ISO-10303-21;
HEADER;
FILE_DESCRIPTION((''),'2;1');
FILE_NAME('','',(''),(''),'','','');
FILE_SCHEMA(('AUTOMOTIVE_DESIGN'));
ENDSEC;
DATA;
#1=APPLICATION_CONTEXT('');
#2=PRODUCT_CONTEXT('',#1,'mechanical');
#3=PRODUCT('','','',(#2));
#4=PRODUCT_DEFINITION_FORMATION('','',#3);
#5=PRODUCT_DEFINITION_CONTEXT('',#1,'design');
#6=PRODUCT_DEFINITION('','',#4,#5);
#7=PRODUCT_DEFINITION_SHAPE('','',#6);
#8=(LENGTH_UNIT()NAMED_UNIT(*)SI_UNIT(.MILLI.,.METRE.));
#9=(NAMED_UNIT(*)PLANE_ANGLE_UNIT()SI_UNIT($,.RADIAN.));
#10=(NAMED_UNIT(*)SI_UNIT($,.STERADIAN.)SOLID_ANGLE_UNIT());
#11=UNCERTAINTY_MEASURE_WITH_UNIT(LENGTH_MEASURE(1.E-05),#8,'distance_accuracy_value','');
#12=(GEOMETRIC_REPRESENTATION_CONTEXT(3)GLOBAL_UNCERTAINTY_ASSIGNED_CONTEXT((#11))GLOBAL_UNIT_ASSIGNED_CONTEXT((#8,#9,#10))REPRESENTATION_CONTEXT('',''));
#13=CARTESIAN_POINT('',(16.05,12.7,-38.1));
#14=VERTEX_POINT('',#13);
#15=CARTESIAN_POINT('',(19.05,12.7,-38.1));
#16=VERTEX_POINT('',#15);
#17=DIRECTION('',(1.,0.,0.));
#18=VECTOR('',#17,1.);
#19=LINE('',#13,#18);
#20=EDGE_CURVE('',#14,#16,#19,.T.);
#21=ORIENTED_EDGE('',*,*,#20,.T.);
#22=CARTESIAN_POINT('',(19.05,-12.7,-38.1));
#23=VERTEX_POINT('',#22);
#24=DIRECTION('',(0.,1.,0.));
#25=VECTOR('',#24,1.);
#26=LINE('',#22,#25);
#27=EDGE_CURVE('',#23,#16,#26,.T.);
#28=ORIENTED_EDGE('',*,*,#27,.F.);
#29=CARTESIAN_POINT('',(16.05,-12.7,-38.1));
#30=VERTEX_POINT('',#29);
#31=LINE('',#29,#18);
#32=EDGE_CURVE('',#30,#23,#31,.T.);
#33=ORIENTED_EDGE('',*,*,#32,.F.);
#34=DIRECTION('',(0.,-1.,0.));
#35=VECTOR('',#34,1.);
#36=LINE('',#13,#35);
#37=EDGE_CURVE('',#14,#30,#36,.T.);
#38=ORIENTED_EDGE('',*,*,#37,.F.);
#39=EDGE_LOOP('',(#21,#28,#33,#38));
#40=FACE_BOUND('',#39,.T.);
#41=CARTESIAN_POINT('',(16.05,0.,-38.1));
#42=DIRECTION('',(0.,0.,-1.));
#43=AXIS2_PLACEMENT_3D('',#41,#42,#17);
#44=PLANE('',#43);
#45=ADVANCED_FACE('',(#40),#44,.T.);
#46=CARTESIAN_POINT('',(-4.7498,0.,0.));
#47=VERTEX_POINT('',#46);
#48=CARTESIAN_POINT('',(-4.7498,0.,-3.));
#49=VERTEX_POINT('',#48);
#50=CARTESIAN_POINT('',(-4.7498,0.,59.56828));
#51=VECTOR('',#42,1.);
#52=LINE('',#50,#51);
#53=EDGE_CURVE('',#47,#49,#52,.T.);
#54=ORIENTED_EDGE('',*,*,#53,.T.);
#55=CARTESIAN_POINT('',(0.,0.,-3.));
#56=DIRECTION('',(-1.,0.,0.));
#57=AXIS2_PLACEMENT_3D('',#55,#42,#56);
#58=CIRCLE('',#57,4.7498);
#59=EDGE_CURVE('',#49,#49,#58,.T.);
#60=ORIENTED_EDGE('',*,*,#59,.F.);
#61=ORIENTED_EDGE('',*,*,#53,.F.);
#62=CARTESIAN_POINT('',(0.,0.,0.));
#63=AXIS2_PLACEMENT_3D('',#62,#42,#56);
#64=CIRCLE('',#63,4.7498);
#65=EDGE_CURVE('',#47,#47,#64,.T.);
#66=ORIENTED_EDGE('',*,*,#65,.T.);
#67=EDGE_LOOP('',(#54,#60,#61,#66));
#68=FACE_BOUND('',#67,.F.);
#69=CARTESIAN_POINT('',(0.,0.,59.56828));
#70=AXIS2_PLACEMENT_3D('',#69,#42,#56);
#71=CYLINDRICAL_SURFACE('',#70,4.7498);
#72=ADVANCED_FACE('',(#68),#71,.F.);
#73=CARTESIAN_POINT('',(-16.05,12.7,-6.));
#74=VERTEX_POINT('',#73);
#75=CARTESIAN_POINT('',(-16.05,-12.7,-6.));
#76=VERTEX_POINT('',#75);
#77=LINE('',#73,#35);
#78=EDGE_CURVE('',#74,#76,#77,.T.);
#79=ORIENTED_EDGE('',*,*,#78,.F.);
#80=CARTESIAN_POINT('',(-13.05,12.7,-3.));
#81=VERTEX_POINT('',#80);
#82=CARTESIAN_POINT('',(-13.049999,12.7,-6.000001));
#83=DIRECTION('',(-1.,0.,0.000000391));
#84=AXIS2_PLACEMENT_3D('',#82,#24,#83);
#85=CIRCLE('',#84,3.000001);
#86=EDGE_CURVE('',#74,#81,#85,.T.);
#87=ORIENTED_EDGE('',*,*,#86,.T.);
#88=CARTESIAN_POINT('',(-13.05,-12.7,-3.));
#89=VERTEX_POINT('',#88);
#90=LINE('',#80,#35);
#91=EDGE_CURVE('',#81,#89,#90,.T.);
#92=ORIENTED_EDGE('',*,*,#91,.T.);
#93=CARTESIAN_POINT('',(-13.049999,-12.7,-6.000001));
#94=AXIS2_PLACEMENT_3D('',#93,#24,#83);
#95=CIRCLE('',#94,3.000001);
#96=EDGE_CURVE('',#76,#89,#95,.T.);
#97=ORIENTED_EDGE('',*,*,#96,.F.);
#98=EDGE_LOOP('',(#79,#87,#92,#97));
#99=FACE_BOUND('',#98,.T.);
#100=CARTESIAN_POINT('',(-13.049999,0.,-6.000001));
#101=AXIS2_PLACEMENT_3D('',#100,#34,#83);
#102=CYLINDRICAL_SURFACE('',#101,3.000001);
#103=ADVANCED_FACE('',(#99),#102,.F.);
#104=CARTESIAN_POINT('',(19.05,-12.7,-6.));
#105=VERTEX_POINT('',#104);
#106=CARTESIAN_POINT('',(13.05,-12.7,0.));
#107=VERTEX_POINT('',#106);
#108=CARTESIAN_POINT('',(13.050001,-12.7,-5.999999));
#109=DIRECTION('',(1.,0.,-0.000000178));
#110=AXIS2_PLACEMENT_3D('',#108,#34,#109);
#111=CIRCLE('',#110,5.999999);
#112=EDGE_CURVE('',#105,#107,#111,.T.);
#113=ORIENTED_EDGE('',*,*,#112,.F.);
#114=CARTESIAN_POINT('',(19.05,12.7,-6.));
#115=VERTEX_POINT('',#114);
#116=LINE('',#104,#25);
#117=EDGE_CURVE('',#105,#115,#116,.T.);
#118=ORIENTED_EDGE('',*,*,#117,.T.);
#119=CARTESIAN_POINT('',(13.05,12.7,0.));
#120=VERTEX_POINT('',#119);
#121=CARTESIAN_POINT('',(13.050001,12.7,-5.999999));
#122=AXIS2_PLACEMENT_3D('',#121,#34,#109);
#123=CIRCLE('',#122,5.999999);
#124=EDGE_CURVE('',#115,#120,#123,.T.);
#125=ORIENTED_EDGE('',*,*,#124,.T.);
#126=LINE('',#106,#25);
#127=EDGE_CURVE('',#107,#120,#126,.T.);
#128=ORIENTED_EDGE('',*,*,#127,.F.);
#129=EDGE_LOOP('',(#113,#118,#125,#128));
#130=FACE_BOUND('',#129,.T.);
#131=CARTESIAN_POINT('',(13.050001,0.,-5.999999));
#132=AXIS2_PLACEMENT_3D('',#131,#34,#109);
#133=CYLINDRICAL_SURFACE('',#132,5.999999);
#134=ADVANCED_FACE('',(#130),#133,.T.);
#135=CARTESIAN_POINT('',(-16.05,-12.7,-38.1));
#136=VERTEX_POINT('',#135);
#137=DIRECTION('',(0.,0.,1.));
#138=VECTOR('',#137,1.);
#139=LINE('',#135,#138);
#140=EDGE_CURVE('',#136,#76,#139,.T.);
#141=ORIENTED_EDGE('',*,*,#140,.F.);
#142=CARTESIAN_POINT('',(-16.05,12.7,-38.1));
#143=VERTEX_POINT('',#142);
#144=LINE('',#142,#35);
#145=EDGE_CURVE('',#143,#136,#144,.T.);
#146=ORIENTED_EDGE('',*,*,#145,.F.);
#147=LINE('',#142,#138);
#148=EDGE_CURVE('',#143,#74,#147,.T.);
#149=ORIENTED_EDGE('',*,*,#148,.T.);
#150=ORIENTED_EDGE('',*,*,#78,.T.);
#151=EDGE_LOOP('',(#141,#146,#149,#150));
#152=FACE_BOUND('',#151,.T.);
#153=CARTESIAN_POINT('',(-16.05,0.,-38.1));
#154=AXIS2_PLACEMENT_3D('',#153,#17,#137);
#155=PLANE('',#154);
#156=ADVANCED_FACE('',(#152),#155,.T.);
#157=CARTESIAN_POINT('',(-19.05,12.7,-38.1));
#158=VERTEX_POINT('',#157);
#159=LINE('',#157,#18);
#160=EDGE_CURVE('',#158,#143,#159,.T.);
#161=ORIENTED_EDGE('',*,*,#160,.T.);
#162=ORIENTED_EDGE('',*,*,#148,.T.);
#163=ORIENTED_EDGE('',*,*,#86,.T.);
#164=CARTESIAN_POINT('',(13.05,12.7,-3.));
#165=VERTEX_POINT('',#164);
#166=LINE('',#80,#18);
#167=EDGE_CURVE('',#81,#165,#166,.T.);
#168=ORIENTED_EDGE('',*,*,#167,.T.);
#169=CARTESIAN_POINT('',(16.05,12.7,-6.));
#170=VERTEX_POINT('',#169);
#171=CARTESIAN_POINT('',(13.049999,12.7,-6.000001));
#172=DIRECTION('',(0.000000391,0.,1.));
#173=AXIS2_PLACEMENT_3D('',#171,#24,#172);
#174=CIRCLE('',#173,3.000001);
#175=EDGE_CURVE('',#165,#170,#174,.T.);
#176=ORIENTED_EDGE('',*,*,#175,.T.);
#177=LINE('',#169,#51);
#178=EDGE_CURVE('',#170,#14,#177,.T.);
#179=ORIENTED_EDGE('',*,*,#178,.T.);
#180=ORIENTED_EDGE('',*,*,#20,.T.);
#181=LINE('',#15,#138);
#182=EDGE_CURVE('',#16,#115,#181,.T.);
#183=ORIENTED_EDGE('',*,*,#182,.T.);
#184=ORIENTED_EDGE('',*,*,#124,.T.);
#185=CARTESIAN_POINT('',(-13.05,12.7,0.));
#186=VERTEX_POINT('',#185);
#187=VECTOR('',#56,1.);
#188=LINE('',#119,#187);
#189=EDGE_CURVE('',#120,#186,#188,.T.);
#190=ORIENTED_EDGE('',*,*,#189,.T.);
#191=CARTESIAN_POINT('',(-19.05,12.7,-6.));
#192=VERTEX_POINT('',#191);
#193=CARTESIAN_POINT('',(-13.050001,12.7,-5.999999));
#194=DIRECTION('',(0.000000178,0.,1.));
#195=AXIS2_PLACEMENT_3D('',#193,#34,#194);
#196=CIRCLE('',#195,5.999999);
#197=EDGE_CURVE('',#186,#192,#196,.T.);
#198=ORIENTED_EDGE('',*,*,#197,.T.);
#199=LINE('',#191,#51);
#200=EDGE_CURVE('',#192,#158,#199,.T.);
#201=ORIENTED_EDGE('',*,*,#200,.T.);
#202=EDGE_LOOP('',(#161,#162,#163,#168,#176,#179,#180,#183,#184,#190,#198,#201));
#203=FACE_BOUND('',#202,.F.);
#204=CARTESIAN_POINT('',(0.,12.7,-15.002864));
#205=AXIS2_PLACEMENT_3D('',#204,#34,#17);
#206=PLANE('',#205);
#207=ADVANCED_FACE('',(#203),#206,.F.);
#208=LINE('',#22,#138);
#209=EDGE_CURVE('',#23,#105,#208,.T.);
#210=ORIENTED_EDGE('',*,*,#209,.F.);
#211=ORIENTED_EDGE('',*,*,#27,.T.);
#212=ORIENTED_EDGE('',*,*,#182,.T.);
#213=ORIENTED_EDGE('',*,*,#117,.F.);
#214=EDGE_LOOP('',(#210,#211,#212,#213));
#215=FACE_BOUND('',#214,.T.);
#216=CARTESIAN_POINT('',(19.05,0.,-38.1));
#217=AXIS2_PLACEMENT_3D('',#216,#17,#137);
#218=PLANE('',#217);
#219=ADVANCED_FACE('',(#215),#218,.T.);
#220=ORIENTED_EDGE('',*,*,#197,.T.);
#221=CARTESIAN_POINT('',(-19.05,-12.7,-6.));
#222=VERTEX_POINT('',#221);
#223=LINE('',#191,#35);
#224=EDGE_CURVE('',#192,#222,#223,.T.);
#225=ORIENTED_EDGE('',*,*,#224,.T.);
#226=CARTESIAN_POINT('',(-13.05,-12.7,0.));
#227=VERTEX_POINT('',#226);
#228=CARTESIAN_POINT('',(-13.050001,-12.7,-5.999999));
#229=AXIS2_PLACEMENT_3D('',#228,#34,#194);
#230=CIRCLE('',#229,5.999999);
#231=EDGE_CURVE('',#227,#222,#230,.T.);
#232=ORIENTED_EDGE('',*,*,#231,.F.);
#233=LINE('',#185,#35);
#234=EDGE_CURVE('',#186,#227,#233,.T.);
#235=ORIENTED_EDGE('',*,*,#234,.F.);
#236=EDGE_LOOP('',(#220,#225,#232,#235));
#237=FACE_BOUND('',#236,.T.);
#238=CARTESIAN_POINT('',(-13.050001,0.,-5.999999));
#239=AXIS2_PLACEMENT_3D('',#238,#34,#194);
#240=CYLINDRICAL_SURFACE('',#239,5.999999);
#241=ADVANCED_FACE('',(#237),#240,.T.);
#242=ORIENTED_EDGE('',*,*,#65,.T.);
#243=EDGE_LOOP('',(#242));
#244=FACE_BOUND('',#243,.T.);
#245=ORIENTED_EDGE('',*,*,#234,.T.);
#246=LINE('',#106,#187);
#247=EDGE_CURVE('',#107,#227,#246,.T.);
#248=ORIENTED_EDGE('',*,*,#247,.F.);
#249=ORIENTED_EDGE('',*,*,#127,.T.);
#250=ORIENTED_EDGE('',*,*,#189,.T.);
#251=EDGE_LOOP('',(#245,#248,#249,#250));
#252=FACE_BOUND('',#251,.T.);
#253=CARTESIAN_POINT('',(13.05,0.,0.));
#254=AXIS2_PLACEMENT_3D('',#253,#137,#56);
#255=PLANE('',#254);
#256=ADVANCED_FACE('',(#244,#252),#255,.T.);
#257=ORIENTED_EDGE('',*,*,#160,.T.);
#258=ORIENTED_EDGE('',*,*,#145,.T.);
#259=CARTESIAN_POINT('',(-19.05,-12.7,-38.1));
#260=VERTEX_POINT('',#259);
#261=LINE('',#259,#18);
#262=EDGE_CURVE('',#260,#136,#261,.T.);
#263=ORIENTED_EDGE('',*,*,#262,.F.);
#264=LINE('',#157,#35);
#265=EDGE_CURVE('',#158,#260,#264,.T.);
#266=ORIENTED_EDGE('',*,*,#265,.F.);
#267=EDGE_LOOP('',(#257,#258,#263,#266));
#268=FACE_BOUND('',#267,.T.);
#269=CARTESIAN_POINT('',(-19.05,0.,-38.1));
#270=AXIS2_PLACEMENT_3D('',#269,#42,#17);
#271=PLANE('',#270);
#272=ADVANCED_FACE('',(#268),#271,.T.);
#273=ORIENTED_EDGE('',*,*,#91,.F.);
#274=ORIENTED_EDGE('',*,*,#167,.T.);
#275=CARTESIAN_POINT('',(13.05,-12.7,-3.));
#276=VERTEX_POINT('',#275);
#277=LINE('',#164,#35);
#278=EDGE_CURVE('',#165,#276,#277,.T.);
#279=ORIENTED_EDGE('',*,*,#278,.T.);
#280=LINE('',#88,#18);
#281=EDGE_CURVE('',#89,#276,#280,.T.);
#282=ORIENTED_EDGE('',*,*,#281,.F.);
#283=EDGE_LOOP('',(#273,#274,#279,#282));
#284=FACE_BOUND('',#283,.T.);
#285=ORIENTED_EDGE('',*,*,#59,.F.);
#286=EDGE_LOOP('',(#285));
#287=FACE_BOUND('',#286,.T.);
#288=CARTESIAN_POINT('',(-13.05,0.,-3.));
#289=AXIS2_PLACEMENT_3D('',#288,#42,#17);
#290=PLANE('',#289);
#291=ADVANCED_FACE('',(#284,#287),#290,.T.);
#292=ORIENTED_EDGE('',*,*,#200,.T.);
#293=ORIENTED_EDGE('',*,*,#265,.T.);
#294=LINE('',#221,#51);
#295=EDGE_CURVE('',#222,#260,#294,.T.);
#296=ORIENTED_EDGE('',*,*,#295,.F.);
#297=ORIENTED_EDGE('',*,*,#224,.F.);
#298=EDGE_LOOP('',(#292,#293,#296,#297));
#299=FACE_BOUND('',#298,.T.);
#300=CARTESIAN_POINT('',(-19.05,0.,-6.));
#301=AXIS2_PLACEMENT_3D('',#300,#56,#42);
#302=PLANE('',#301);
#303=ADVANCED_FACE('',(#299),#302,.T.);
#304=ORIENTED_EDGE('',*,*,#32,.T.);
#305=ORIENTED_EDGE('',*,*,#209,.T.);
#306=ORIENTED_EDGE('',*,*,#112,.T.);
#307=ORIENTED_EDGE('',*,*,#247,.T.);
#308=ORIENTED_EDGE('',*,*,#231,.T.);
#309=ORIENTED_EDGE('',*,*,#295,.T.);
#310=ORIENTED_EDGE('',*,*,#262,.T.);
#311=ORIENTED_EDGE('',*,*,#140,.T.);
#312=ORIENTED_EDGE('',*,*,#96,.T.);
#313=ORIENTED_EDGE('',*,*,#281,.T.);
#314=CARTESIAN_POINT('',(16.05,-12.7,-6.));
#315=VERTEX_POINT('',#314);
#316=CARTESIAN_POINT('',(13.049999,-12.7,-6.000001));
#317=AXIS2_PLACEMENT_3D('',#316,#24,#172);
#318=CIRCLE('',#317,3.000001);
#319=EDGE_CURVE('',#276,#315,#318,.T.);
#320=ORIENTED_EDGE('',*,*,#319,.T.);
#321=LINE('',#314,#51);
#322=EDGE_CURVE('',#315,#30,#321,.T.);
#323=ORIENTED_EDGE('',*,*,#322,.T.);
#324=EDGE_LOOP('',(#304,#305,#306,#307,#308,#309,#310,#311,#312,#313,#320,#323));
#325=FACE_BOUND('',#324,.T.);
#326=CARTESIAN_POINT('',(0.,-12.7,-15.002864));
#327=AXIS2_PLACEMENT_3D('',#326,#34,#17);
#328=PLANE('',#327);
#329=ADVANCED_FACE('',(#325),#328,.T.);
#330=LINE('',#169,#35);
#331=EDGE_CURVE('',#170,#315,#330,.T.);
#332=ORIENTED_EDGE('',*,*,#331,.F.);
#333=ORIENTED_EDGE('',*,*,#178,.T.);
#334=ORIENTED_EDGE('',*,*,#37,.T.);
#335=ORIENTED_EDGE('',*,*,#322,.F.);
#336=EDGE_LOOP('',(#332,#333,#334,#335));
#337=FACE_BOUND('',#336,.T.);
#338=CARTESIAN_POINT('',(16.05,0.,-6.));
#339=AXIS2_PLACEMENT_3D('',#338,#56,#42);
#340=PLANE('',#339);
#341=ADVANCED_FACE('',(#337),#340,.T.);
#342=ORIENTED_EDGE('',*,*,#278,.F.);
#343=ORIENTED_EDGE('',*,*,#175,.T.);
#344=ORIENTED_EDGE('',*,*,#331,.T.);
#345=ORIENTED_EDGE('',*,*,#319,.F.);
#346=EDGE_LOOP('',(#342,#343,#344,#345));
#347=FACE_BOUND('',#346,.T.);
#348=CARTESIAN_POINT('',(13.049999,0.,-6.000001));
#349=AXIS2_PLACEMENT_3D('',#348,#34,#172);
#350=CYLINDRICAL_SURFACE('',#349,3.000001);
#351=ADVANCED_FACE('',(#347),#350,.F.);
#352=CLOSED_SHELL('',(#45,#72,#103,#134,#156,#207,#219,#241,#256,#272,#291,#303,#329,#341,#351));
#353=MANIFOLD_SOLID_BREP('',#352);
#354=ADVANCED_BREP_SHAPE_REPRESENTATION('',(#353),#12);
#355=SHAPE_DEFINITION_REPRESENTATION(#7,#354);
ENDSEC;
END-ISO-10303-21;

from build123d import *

# Parameters (mm, degrees)
F1_DEPTH = 12.7
F3_D     = 9.4996


with BuildPart() as f1:
    # F0 (on Front) → F1 (new body, symmetric)
    with BuildSketch(Plane.XZ):
        with BuildLine():
            Line((13.05, 0), (-13.05, 0))
            ThreePointArc((-13.05, 0), (-17.292641, -1.757359), (-19.05, -6))
            Line((-19.05, -6), (-19.05, -38.1))
            Line((-19.05, -38.1), (-16.05, -38.1))
            Line((-16.05, -38.1), (-16.05, -6))
            ThreePointArc((-16.05, -6), (-15.17132, -3.87868), (-13.05, -3))
            Line((-13.05, -3), (13.05, -3))
            ThreePointArc((13.05, -3), (15.17132, -3.87868), (16.05, -6))
            Line((16.05, -6), (16.05, -38.1))
            Line((16.05, -38.1), (19.05, -38.1))
            Line((19.05, -38.1), (19.05, -6))
            ThreePointArc((19.05, -6), (17.292641, -1.757359), (13.05, 0))
        make_face()
    extrude(amount=F1_DEPTH, both=True)

    # F3 (through all)
    with Locations(Plane.XY):
        with Locations((0, 0)):
            Hole(F3_D / 2)


solid = f1.part
